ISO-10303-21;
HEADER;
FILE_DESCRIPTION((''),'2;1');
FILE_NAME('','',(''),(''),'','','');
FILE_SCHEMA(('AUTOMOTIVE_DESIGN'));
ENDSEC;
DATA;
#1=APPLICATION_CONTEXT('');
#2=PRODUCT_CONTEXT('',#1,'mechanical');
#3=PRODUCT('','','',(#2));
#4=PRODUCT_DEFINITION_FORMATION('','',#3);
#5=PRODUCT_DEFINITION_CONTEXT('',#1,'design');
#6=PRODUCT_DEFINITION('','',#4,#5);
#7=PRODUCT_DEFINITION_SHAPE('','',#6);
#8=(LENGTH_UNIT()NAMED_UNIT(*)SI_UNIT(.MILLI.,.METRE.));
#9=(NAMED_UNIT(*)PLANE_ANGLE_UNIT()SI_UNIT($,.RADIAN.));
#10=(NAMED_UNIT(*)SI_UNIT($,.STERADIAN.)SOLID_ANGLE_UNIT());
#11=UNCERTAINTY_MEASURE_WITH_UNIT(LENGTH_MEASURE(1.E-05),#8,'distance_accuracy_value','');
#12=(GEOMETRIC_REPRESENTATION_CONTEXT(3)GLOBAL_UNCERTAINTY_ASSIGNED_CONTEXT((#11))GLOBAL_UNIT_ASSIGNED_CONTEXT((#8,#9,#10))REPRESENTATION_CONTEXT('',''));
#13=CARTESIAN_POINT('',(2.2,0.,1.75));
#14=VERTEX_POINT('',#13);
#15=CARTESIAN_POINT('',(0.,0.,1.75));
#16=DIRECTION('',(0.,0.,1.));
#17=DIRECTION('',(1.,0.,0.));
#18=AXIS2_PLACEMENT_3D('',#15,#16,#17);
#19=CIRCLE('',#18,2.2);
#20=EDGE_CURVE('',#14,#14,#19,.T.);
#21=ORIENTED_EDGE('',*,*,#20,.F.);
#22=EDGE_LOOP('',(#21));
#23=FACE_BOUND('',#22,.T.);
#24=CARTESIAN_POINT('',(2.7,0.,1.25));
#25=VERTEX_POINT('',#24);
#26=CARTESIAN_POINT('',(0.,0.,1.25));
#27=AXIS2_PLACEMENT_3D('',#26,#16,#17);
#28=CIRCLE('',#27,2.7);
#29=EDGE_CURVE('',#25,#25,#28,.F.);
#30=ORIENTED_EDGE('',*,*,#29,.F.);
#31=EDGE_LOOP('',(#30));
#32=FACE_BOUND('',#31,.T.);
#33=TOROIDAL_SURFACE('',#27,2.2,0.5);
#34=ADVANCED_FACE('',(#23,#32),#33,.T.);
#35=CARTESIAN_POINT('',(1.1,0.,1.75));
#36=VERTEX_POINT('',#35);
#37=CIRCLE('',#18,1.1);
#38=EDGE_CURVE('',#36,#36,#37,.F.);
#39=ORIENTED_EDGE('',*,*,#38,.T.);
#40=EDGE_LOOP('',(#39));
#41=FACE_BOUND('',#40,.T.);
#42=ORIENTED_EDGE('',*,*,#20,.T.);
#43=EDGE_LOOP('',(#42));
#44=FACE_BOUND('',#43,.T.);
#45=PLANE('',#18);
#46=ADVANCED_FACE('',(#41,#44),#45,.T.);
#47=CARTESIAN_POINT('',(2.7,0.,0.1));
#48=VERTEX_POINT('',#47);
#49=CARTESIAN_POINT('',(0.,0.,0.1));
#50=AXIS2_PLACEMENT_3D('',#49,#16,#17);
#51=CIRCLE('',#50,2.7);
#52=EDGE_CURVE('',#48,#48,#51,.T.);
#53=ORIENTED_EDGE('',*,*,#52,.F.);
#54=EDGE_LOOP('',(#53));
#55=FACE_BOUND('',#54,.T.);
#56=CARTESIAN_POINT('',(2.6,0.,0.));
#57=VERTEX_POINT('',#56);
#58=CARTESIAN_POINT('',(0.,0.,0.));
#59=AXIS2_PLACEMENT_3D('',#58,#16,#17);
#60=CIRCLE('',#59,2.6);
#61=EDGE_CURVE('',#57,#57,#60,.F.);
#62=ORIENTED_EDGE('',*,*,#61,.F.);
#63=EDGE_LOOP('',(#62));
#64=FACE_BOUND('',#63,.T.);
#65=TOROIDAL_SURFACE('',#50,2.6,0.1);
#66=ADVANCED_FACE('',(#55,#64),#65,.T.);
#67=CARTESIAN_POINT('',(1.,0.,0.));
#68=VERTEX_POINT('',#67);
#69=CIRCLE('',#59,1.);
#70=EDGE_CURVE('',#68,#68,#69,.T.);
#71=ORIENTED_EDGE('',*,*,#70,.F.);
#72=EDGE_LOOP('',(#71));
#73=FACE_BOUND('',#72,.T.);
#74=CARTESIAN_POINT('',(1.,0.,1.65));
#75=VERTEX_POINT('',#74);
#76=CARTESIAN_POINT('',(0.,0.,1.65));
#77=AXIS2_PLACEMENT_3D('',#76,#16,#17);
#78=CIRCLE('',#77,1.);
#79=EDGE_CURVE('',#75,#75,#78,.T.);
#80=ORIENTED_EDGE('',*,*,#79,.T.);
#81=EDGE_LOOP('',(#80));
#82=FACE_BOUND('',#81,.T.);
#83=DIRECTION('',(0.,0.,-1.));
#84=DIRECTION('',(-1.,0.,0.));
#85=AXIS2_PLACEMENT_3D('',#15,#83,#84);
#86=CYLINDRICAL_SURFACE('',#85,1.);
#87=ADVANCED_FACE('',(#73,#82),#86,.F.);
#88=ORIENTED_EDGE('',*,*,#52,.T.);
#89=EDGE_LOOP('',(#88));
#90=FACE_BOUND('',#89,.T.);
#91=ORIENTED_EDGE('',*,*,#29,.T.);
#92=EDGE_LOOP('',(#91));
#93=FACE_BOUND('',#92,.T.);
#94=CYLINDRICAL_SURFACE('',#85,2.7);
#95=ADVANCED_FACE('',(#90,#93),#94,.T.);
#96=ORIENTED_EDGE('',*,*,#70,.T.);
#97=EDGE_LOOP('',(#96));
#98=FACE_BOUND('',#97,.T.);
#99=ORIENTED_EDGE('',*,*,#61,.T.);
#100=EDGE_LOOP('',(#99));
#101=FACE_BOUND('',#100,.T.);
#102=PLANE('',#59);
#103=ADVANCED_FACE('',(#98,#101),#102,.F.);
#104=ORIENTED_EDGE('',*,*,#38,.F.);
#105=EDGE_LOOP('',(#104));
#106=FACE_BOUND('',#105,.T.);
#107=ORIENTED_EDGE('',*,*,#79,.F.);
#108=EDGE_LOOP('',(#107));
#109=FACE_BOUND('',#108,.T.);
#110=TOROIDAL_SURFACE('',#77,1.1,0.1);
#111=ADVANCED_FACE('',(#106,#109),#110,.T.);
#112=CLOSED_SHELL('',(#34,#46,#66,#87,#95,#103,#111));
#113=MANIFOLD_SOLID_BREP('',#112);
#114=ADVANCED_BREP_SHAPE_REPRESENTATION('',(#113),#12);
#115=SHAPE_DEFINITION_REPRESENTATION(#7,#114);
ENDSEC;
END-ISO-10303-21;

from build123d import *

# Parameters (mm, degrees)
SKETCH1_R           = 2.7
SKETCH1_R_2         = 1
EXTRUDE_THIN1_DEPTH = 1.75
FILLET1_R           = 0.5
FILLET2_R           = 0.1


with BuildPart() as part:
    # Sketch1 → Extrude-Thin1 (new body)
    with BuildSketch(Plane.XY):
        Circle(SKETCH1_R)
        Circle(SKETCH1_R_2, mode=Mode.SUBTRACT)
    extrude(amount=EXTRUDE_THIN1_DEPTH)

    # Fillet1
    fillet1_edges = [part.edges().sort_by_distance(p)[0] for p in [
        (-2.7, 0, 1.75),
    ]]
    fillet(fillet1_edges, radius=FILLET1_R)

    # Fillet2
    fillet2_edges = [part.edges().sort_by_distance(p)[0] for p in [
        (-2.7, 0, 0),
        (-1, 0, 1.75),
    ]]
    fillet(fillet2_edges, radius=FILLET2_R)


solid = part.part
